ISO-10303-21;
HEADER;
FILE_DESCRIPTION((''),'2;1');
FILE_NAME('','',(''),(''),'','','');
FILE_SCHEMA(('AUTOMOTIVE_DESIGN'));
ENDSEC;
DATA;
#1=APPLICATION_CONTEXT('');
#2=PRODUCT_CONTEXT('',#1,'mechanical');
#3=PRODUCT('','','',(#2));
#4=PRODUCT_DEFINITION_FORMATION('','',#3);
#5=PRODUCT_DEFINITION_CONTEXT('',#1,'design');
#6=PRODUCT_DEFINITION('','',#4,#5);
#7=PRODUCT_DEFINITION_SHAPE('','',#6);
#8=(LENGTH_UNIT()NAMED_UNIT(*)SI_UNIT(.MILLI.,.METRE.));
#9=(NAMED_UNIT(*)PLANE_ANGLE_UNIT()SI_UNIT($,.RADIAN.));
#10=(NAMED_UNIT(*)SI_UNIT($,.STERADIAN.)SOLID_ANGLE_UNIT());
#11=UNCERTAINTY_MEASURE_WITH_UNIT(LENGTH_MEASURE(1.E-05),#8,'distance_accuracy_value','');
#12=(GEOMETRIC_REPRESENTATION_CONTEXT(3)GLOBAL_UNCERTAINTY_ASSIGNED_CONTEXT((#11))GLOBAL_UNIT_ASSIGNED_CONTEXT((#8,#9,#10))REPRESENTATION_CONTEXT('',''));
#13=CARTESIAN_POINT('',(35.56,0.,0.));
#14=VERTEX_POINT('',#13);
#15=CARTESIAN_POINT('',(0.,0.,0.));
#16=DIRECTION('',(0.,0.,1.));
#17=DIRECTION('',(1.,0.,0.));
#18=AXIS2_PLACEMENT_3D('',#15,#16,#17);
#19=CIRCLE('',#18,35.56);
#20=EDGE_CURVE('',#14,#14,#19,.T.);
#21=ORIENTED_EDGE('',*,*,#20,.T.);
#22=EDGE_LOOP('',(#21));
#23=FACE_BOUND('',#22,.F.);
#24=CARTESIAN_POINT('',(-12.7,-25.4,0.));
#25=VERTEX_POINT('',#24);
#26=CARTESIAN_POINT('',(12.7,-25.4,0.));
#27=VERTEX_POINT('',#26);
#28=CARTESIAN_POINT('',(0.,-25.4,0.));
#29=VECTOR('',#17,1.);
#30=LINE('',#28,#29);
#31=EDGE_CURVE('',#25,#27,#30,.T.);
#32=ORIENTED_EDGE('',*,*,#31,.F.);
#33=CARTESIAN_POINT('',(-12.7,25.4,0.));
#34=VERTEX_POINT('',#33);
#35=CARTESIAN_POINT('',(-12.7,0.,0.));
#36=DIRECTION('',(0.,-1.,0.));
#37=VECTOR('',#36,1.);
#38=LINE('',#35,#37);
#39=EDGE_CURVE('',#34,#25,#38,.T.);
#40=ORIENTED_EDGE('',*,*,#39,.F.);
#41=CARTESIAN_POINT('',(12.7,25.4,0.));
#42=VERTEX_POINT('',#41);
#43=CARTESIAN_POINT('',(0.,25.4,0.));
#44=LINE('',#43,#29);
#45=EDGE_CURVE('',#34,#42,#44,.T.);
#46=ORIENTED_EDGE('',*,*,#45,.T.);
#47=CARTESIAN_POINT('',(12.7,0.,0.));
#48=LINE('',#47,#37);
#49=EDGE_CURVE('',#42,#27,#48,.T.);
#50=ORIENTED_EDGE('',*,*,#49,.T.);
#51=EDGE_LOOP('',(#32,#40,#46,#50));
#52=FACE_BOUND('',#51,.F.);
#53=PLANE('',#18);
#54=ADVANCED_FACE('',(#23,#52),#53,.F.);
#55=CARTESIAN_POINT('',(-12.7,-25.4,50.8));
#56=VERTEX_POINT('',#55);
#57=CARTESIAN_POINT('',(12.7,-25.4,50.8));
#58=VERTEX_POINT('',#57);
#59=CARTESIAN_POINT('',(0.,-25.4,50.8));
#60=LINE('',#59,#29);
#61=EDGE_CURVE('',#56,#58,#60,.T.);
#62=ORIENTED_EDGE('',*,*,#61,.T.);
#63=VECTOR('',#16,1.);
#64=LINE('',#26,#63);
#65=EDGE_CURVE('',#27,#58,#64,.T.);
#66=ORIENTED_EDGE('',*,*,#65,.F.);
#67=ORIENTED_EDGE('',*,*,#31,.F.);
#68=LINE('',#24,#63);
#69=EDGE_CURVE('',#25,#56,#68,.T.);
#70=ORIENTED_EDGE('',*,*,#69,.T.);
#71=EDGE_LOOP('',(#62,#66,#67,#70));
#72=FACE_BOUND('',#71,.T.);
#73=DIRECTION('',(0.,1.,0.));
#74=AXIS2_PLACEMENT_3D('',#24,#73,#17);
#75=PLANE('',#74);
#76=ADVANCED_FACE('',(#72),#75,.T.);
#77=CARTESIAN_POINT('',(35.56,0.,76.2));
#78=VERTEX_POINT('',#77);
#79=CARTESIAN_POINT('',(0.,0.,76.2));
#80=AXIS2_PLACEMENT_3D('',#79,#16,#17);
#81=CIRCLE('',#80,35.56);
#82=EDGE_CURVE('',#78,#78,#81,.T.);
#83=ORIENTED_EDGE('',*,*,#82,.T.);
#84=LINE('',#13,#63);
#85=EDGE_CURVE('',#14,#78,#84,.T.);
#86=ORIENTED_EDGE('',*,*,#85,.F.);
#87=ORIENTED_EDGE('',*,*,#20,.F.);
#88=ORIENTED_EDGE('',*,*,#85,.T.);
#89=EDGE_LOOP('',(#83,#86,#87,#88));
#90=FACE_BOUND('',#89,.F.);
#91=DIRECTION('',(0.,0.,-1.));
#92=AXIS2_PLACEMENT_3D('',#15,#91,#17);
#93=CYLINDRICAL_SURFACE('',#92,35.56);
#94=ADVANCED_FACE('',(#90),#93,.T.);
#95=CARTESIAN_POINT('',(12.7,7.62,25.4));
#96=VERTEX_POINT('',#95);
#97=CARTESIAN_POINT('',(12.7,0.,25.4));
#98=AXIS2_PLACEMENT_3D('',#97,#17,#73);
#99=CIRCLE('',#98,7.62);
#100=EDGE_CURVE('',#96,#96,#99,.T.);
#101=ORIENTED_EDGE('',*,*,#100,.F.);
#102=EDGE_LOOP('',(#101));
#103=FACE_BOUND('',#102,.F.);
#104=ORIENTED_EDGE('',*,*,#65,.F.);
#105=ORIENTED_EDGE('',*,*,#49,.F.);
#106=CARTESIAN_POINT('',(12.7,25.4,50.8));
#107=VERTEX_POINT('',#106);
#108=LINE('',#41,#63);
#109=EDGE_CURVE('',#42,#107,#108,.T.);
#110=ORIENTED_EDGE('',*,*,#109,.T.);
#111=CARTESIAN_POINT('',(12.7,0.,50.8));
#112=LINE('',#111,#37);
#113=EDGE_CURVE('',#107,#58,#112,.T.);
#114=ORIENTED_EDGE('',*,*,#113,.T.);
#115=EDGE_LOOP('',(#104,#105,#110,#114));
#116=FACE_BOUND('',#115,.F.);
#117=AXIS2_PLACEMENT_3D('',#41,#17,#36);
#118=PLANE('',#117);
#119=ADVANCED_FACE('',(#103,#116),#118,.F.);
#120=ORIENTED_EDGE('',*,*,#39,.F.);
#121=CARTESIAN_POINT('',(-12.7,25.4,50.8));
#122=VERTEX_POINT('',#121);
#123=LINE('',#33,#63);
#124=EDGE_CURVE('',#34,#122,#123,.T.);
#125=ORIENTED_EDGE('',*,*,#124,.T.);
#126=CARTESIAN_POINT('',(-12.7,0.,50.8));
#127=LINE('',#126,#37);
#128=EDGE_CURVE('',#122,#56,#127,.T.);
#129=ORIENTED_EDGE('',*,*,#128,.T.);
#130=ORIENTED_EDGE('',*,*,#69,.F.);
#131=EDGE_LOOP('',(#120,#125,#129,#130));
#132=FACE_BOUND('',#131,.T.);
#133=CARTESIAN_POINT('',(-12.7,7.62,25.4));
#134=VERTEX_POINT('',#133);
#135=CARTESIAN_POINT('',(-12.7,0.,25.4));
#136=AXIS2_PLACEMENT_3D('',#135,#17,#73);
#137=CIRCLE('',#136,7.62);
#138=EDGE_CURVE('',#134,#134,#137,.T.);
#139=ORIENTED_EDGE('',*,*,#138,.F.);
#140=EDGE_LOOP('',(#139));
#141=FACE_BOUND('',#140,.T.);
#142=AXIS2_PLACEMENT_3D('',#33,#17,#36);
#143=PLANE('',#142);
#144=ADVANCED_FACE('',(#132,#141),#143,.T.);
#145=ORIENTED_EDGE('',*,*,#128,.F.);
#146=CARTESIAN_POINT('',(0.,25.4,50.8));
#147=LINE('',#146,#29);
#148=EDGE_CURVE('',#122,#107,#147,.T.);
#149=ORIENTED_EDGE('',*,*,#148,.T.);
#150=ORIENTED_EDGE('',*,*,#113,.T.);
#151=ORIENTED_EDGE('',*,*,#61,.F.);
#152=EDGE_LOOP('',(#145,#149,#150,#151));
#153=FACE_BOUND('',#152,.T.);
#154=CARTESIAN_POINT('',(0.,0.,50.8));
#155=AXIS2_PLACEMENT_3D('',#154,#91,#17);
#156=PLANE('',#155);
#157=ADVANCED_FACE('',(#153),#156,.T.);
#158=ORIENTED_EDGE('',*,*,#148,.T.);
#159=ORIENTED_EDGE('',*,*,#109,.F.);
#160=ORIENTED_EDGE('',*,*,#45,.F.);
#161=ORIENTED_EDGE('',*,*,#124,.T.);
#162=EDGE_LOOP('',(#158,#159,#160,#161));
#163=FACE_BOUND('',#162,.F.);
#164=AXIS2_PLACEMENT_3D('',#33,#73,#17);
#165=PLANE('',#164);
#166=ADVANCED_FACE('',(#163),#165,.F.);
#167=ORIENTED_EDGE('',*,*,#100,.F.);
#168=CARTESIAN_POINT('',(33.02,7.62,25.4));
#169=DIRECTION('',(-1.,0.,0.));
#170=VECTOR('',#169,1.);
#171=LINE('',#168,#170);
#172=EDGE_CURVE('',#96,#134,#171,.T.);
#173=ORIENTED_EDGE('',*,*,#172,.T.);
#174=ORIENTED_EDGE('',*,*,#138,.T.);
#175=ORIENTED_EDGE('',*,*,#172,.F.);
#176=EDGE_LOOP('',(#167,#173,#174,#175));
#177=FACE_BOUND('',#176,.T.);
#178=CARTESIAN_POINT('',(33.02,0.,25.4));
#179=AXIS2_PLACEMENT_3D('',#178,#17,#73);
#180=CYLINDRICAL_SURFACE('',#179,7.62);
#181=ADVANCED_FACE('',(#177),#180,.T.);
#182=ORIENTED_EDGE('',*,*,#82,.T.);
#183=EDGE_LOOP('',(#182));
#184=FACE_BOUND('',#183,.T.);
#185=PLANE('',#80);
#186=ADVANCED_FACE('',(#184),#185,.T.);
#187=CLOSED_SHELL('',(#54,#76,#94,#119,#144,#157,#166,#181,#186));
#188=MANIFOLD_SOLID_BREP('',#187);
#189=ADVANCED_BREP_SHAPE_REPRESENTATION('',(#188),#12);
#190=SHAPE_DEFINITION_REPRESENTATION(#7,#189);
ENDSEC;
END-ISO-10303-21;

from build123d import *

# Parameters (mm, degrees)
F0_R     = 35.56
F1_DEPTH = 76.2
F2_W     = 25.4
F2_H     = 50.8
F3_DEPTH = 50.8
F5_R     = 7.62
F6_DEPTH = 66.04


with BuildPart() as f1:
    # F0 (on Top) → F1 (new body)
    with BuildSketch(Plane.XY):
        Circle(F0_R)
    extrude(amount=F1_DEPTH)

    # F2 (on face) → F3 (cut)
    with BuildSketch(Plane(origin=(0, 0, 0), x_dir=(1, 0, 0), z_dir=(0, 0, -1))):
        Rectangle(F2_W, F2_H)
    extrude(amount=-F3_DEPTH, mode=Mode.SUBTRACT)

    # F5 (on offset) → F6 (join)
    with BuildSketch(Plane.YZ.offset(33.02)):
        with Locations((0, 25.4)):
            Circle(F5_R)
    extrude(amount=-F6_DEPTH)


solid = f1.part
